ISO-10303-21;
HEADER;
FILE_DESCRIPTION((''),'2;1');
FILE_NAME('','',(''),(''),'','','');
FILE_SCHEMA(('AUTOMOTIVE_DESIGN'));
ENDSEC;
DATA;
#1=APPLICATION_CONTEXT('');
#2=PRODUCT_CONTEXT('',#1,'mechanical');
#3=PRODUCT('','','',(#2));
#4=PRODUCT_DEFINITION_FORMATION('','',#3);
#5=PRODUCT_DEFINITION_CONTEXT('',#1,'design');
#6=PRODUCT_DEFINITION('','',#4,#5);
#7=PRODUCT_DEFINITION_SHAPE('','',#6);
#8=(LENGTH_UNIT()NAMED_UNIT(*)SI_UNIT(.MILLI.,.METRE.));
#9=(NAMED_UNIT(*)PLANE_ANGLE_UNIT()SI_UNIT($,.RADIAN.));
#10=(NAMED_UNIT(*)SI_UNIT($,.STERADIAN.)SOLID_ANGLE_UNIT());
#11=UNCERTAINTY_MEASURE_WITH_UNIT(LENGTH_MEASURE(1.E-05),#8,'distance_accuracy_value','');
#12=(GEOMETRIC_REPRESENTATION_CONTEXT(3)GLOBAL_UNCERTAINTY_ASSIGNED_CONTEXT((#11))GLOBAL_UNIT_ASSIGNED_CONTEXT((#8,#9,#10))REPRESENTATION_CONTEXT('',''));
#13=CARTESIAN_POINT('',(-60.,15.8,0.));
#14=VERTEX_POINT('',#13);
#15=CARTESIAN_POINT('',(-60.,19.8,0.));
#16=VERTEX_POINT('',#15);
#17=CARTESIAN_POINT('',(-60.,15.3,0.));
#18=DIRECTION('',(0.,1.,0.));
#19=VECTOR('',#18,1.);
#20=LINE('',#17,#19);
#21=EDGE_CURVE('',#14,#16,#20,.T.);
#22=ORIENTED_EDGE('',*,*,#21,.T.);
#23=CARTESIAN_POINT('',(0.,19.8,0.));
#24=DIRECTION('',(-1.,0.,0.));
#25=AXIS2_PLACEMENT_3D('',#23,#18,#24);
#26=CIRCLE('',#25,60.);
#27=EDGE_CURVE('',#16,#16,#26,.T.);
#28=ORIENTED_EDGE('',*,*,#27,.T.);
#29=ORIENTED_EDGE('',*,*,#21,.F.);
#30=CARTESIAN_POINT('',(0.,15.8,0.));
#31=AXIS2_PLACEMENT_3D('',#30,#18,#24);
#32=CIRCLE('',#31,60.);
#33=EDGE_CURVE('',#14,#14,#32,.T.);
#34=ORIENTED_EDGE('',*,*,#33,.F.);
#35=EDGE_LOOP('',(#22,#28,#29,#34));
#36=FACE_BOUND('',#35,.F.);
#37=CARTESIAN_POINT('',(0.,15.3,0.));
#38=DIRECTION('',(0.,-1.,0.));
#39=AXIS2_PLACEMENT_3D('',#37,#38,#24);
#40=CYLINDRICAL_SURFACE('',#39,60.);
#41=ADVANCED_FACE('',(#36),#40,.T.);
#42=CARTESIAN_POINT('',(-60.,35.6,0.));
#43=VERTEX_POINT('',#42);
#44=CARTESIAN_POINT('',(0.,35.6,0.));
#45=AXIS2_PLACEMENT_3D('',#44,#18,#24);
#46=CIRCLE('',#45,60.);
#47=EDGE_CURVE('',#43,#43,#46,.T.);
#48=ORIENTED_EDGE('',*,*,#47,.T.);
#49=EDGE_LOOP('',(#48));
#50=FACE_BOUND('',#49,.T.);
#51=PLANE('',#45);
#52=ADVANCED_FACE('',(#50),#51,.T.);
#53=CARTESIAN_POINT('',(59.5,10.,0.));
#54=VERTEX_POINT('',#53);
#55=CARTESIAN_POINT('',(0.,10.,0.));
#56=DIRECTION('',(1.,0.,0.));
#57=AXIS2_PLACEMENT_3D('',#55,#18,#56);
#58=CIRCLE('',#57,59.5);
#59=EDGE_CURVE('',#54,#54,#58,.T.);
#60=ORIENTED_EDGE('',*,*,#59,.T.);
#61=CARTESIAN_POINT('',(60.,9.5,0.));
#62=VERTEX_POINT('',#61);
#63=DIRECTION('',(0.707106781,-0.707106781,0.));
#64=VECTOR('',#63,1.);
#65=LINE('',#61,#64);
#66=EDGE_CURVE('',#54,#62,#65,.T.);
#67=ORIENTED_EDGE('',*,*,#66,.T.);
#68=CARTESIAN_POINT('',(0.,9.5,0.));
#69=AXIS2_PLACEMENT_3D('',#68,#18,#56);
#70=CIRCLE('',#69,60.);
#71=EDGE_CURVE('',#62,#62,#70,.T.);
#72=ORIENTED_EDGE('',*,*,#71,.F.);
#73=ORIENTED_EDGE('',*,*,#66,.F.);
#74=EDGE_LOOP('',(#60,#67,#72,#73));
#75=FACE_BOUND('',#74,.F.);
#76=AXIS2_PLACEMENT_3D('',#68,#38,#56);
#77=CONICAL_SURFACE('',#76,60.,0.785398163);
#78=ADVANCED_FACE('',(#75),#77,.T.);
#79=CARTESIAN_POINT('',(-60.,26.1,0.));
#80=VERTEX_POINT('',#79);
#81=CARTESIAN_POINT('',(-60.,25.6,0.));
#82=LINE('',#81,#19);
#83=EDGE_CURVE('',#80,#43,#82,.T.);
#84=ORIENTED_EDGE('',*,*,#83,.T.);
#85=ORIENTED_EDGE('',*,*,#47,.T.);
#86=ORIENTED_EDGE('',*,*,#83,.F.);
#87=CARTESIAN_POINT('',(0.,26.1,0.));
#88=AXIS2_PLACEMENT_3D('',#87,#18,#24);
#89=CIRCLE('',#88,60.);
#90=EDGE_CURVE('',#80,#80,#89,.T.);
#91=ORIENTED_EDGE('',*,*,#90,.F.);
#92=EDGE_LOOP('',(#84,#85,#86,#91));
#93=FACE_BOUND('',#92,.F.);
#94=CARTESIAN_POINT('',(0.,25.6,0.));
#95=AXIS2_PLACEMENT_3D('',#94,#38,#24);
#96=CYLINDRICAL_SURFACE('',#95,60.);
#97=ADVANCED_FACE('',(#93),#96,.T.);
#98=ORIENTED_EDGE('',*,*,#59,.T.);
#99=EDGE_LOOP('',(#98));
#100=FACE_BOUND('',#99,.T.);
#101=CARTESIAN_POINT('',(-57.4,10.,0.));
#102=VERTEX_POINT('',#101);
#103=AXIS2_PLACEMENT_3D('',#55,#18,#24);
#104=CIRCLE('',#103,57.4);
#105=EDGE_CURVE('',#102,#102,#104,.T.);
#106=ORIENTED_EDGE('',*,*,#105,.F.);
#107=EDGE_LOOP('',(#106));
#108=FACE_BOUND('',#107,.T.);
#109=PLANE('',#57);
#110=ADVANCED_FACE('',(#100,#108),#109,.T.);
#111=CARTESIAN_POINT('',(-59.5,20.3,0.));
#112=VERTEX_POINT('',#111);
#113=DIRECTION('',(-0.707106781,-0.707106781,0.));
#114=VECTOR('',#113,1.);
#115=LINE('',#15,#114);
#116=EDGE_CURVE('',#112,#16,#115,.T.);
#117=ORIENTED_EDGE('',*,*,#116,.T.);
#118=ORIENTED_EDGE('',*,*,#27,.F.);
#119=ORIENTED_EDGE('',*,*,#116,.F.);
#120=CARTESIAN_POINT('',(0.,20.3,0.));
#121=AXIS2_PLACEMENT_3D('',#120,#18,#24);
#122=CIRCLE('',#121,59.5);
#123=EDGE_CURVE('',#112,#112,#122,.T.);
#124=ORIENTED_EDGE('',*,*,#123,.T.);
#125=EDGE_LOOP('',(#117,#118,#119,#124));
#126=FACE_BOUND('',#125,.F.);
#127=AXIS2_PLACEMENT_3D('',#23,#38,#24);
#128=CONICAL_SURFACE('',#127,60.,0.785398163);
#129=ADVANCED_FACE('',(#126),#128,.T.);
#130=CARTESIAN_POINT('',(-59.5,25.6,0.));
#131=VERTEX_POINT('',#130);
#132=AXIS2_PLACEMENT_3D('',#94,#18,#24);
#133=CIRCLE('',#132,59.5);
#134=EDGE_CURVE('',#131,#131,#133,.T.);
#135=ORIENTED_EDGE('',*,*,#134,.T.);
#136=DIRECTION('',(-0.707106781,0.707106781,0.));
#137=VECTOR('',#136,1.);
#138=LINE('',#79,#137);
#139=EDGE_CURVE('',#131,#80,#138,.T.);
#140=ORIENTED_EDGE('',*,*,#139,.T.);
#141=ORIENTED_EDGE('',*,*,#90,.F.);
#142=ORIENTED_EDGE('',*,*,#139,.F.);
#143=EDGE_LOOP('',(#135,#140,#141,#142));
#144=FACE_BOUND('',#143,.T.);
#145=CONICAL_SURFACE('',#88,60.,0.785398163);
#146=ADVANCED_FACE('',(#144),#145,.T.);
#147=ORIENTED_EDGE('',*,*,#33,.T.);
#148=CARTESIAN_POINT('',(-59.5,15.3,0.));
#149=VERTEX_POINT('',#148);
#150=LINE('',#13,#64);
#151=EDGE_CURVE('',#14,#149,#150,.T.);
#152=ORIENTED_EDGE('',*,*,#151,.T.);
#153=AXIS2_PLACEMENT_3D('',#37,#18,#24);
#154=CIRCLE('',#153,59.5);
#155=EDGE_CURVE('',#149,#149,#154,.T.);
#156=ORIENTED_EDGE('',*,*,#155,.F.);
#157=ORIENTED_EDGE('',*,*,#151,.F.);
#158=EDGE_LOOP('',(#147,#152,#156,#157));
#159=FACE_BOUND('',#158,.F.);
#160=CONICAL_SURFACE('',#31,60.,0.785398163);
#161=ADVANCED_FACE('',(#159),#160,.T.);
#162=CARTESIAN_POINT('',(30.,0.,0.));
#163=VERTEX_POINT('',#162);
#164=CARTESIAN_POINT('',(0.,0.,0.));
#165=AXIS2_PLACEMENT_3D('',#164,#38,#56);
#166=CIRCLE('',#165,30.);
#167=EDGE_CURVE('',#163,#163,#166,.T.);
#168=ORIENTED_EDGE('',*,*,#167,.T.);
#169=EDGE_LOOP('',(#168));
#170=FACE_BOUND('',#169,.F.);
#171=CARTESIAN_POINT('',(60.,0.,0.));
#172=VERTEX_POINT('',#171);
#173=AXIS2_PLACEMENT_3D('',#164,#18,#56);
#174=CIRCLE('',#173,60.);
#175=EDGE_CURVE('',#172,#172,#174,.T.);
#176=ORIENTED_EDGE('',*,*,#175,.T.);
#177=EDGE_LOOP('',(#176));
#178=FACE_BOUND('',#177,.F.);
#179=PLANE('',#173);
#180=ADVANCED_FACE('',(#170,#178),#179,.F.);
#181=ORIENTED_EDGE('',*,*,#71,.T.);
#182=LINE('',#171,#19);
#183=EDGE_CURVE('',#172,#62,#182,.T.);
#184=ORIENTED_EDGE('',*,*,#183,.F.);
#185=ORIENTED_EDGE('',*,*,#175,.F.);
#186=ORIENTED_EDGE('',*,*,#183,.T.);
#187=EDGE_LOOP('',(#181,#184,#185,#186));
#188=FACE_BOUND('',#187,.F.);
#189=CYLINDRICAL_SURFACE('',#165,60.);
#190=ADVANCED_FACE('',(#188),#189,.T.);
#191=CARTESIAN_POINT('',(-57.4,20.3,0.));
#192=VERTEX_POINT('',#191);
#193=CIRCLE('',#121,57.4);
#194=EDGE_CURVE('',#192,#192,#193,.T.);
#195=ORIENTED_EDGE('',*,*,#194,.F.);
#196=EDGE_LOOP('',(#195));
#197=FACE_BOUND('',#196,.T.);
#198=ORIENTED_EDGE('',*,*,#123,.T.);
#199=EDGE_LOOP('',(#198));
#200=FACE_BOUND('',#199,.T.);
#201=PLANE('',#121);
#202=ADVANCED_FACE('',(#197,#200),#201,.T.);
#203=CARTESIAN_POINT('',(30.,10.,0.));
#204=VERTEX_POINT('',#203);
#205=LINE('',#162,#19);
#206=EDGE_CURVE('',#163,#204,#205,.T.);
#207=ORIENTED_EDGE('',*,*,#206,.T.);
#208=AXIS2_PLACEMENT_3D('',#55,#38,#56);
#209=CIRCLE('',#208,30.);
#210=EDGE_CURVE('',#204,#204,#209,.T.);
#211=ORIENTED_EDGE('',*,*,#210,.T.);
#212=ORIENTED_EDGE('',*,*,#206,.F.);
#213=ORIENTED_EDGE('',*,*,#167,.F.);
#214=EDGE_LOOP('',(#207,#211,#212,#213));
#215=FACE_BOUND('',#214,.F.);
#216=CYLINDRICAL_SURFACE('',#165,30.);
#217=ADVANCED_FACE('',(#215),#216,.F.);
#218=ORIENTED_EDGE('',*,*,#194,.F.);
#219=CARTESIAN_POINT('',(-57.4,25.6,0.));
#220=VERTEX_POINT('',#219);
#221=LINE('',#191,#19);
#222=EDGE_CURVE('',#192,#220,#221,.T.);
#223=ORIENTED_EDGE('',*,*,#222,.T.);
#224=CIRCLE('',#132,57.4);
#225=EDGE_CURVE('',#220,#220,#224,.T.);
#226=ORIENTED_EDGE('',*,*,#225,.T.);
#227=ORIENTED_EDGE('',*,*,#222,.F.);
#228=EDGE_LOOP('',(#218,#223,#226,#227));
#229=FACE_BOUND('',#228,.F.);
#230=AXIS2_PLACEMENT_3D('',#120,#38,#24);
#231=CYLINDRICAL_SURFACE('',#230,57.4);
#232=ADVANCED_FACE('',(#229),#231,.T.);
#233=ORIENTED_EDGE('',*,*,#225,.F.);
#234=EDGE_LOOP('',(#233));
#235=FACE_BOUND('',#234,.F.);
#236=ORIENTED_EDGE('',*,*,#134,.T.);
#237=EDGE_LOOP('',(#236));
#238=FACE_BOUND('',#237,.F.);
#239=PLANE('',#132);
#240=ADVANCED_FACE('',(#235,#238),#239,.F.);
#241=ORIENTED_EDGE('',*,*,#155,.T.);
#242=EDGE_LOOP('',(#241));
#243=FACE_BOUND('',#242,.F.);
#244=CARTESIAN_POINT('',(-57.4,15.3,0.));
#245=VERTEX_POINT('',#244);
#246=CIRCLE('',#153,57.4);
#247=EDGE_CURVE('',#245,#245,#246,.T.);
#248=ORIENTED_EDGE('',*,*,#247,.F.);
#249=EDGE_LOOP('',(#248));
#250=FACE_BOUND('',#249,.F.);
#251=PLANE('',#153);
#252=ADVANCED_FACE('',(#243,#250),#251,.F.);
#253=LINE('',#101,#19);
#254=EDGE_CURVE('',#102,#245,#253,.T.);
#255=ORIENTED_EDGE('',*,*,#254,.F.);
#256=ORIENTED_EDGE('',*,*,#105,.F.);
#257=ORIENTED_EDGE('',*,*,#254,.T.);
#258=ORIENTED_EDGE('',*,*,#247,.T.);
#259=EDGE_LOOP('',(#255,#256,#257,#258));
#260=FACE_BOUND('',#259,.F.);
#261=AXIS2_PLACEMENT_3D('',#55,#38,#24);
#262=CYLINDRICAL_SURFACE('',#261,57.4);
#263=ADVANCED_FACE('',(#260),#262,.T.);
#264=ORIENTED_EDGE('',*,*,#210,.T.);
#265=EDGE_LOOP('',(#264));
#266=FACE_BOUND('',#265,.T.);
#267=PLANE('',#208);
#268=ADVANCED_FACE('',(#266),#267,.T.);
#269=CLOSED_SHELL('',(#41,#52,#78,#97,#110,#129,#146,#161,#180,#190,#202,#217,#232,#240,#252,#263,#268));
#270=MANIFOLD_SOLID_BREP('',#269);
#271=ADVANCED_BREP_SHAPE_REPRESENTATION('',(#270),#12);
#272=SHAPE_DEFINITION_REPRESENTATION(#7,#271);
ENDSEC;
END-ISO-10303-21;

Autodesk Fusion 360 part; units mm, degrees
sketch "Sketch1" plane through (0, 0, 0) normal (0, 1, 0) x (1, 0, 0)
  circle A0 centre (0, 0) radius 60
  dimension "d1" = 120
extrude "Extrude1" add sketch "Sketch1" along normal blind 10
sketch "Sketch2" plane through (0, 10, 0) normal (0, 1, 0) x (-1, 0, 0)
  circle A0 centre (0, 0) radius 60
  circle A1 centre (0, 0) radius 57.4
  dimension "d4" = 114.8
extrude "Extrude2" add sketch "Sketch2" along normal blind 5.3 contours A1
sketch "Sketch3" plane through (0, 15.3, 0) normal (0, 1, 0) x (-1, 0, 0)
  circle A0 centre (0, 0) radius 57.4
  circle A1 centre (0, 0) radius 60
  dimension "d7" = 120
extrude "Extrude3" add sketch "Sketch3" along normal blind 5 contours A0 | A1
sketch "Sketch4" plane through (0, 20.3, 0) normal (0, 1, 0) x (-1, 0, 0)
  circle A0 centre (0, 0) radius 60
  circle A1 centre (0, 0) radius 57.4
  dimension "d10" = 114.8
extrude "Extrude4" add sketch "Sketch4" along normal blind 5.3 contours A1
sketch "Sketch5" plane through (0, 25.6, 0) normal (0, 1, 0) x (-1, 0, 0)
  circle A0 centre (0, 0) radius 57.4
  circle A1 centre (0, 0) radius 60
  dimension "d13" = 120
extrude "Extrude5" add sketch "Sketch5" along normal blind 10 contours A0 | A1
sketch "Sketch7" plane through (0, 0, 0) normal (0, -1, 0) x (1, 0, 0)
  circle A0 centre (0, 0) radius 60
  circle A1 centre (0, 0) radius 30
  dimension "d22" = 60
extrude "Extrude7" cut sketch "Sketch7" against normal blind 10 contours A1
chamfer "Chamfer1" distance 0.5 angle 45 1 edges at (55.9396, 20.3, -21.6969)
chamfer "Chamfer2" distance 0.5 angle 45 3 edges at (55.9396, 25.6, -21.6969) (55.9396, 15.3, -21.6969) (-55.9396, 10, 21.6969)
